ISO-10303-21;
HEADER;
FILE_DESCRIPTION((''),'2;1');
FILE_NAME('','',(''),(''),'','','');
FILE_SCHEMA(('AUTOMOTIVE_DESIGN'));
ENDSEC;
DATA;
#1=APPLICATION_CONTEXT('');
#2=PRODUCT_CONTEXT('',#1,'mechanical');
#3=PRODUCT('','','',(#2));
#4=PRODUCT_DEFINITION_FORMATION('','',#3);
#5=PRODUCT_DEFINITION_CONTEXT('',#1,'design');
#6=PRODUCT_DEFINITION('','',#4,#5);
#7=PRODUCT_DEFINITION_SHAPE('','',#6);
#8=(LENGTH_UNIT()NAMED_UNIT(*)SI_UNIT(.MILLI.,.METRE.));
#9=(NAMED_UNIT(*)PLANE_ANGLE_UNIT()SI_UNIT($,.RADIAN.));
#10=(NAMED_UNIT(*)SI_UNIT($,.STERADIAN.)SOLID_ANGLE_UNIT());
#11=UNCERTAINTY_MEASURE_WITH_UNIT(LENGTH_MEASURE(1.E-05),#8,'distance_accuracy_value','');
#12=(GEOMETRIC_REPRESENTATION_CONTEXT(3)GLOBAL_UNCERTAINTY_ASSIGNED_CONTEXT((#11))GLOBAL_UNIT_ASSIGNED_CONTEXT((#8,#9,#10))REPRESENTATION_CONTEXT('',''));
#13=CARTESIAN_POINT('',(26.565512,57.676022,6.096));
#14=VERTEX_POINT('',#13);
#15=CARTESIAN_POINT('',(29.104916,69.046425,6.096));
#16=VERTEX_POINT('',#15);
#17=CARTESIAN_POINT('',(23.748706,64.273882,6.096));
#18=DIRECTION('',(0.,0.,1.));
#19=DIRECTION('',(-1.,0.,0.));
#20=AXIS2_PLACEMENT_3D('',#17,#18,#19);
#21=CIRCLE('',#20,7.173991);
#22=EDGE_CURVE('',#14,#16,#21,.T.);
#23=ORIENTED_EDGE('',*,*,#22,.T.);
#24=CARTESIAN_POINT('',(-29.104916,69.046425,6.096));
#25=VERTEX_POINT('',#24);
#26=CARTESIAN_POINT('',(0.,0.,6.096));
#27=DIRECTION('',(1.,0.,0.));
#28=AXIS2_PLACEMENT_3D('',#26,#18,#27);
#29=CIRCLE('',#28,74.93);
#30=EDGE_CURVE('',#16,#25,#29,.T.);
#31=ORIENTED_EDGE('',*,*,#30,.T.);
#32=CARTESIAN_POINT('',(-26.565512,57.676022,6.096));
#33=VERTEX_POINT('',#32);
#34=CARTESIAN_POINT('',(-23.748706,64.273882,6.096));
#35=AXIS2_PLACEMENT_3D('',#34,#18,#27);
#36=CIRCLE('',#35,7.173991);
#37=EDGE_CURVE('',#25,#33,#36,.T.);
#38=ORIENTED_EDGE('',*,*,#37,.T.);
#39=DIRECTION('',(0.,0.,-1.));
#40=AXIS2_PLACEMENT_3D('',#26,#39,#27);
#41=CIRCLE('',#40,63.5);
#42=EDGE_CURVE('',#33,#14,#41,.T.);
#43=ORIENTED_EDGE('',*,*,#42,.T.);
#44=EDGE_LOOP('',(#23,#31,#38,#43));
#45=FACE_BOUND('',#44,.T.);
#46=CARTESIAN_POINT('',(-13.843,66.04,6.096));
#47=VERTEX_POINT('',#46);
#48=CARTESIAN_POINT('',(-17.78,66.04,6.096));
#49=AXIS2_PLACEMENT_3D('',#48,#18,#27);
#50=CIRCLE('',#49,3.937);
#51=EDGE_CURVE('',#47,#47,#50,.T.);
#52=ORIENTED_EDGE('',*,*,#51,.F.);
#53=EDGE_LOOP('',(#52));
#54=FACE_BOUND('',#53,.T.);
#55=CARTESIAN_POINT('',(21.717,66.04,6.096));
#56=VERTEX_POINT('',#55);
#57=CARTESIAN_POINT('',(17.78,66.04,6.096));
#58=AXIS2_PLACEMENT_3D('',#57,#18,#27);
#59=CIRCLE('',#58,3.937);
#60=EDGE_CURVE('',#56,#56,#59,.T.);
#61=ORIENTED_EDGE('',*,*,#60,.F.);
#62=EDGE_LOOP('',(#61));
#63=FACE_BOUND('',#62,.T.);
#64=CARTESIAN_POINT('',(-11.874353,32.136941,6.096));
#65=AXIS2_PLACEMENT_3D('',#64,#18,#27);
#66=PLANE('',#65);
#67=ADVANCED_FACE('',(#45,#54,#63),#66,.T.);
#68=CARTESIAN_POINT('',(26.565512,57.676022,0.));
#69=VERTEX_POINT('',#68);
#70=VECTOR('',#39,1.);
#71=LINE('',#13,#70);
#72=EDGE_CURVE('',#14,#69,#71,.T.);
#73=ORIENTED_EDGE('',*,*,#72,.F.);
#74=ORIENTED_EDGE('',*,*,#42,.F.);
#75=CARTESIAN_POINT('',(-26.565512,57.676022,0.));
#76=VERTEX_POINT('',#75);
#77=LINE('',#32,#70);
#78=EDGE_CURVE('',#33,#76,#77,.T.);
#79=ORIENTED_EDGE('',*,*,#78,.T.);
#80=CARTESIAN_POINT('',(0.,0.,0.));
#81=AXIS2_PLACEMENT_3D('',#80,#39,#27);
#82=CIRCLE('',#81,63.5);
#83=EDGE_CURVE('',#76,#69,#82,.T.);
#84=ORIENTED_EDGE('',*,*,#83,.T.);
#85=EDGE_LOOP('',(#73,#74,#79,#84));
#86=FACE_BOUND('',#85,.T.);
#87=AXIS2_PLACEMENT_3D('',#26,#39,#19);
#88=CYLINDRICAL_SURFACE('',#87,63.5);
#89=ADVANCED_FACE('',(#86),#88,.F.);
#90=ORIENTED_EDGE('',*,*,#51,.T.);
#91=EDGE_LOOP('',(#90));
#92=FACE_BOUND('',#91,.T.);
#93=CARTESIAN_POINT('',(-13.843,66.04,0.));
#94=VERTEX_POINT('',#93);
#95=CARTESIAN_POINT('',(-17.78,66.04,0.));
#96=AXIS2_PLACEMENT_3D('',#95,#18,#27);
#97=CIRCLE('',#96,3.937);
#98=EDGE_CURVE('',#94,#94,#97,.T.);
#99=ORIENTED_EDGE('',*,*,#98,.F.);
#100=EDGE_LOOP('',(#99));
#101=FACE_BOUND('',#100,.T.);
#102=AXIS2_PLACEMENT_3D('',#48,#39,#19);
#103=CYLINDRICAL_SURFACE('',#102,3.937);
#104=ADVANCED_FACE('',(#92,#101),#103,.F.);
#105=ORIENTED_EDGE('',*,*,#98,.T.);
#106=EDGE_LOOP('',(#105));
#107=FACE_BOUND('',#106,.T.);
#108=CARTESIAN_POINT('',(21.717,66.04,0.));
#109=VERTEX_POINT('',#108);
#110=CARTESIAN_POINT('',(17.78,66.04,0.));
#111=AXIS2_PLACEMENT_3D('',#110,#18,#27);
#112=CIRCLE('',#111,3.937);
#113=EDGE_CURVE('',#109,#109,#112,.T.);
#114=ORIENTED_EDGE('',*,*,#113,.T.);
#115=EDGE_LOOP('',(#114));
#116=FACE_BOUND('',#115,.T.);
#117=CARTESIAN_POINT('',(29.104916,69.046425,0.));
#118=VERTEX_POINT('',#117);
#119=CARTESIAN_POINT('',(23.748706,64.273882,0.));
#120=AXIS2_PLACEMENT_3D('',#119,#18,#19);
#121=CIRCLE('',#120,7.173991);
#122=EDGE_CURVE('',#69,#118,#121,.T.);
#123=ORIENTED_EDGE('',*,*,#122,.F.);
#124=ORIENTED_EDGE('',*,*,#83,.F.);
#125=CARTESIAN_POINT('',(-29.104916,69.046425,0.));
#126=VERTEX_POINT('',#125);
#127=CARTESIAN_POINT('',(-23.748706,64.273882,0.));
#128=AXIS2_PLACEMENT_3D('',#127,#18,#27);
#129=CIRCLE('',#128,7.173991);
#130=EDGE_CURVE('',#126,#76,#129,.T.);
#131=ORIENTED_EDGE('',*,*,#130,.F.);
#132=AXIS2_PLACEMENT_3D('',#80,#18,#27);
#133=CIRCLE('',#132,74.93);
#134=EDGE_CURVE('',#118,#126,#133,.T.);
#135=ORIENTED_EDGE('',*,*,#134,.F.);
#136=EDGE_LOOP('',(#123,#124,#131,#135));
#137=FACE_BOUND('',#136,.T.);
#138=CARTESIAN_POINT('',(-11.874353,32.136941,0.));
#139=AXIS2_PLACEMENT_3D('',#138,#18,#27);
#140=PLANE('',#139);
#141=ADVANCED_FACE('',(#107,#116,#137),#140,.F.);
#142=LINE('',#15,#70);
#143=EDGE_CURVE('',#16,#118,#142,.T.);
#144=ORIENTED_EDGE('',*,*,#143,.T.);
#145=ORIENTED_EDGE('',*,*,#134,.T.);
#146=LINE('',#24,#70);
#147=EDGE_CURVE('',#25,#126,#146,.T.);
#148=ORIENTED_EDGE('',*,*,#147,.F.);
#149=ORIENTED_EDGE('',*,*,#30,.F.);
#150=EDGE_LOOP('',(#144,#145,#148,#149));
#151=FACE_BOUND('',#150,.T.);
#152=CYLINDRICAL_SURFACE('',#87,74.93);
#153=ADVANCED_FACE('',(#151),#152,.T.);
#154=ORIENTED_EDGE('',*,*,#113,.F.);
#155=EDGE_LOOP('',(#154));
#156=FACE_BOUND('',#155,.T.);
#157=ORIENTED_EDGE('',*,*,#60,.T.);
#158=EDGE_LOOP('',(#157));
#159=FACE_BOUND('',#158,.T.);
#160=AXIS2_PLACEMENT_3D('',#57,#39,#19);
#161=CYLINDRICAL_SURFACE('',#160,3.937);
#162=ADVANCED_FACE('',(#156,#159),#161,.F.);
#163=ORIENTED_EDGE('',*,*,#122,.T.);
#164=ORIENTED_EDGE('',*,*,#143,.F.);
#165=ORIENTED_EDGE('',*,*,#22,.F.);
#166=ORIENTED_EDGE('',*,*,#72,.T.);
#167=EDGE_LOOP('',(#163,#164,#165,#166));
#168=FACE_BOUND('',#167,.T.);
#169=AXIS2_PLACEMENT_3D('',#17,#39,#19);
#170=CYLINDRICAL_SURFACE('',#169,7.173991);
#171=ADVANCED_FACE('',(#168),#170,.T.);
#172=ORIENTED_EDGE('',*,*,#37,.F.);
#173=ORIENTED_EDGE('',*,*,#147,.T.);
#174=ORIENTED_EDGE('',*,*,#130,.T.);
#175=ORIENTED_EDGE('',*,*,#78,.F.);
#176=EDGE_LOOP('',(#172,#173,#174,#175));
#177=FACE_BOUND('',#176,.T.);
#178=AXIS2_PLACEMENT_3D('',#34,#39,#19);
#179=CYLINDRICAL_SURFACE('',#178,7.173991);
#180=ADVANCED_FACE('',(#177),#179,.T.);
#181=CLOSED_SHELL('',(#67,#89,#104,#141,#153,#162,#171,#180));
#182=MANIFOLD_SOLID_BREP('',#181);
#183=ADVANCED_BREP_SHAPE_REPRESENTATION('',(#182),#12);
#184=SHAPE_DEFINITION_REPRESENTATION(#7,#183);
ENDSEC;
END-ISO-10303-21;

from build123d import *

# Parameters (mm, degrees)
SKETCH2_R           = 3.937
BOSS_EXTRUDE4_DEPTH = 6.096


with BuildPart() as part:
    # Sketch2 → Boss-Extrude4 (new body)
    with BuildSketch(Plane.XY):
        with BuildLine():
            ThreePointArc((29.104915692, 69.046424835), (0, 74.93), (-29.104915692, 69.046424835))
            ThreePointArc((-29.104915692, 69.046424835), (-30.750210185, 62.710204346), (-26.565512441, 57.676022304))
            ThreePointArc((-26.565512441, 57.676022304), (0, 63.5), (26.565512441, 57.676022304))
            ThreePointArc((26.565512441, 57.676022304), (30.750210185, 62.710204346), (29.104915692, 69.046424835))
        make_face()
        with Locations((17.78, 66.04)):
            Circle(SKETCH2_R, mode=Mode.SUBTRACT)
        with Locations((-17.78, 66.04)):
            Circle(SKETCH2_R, mode=Mode.SUBTRACT)
    extrude(amount=BOSS_EXTRUDE4_DEPTH)


solid = part.part
